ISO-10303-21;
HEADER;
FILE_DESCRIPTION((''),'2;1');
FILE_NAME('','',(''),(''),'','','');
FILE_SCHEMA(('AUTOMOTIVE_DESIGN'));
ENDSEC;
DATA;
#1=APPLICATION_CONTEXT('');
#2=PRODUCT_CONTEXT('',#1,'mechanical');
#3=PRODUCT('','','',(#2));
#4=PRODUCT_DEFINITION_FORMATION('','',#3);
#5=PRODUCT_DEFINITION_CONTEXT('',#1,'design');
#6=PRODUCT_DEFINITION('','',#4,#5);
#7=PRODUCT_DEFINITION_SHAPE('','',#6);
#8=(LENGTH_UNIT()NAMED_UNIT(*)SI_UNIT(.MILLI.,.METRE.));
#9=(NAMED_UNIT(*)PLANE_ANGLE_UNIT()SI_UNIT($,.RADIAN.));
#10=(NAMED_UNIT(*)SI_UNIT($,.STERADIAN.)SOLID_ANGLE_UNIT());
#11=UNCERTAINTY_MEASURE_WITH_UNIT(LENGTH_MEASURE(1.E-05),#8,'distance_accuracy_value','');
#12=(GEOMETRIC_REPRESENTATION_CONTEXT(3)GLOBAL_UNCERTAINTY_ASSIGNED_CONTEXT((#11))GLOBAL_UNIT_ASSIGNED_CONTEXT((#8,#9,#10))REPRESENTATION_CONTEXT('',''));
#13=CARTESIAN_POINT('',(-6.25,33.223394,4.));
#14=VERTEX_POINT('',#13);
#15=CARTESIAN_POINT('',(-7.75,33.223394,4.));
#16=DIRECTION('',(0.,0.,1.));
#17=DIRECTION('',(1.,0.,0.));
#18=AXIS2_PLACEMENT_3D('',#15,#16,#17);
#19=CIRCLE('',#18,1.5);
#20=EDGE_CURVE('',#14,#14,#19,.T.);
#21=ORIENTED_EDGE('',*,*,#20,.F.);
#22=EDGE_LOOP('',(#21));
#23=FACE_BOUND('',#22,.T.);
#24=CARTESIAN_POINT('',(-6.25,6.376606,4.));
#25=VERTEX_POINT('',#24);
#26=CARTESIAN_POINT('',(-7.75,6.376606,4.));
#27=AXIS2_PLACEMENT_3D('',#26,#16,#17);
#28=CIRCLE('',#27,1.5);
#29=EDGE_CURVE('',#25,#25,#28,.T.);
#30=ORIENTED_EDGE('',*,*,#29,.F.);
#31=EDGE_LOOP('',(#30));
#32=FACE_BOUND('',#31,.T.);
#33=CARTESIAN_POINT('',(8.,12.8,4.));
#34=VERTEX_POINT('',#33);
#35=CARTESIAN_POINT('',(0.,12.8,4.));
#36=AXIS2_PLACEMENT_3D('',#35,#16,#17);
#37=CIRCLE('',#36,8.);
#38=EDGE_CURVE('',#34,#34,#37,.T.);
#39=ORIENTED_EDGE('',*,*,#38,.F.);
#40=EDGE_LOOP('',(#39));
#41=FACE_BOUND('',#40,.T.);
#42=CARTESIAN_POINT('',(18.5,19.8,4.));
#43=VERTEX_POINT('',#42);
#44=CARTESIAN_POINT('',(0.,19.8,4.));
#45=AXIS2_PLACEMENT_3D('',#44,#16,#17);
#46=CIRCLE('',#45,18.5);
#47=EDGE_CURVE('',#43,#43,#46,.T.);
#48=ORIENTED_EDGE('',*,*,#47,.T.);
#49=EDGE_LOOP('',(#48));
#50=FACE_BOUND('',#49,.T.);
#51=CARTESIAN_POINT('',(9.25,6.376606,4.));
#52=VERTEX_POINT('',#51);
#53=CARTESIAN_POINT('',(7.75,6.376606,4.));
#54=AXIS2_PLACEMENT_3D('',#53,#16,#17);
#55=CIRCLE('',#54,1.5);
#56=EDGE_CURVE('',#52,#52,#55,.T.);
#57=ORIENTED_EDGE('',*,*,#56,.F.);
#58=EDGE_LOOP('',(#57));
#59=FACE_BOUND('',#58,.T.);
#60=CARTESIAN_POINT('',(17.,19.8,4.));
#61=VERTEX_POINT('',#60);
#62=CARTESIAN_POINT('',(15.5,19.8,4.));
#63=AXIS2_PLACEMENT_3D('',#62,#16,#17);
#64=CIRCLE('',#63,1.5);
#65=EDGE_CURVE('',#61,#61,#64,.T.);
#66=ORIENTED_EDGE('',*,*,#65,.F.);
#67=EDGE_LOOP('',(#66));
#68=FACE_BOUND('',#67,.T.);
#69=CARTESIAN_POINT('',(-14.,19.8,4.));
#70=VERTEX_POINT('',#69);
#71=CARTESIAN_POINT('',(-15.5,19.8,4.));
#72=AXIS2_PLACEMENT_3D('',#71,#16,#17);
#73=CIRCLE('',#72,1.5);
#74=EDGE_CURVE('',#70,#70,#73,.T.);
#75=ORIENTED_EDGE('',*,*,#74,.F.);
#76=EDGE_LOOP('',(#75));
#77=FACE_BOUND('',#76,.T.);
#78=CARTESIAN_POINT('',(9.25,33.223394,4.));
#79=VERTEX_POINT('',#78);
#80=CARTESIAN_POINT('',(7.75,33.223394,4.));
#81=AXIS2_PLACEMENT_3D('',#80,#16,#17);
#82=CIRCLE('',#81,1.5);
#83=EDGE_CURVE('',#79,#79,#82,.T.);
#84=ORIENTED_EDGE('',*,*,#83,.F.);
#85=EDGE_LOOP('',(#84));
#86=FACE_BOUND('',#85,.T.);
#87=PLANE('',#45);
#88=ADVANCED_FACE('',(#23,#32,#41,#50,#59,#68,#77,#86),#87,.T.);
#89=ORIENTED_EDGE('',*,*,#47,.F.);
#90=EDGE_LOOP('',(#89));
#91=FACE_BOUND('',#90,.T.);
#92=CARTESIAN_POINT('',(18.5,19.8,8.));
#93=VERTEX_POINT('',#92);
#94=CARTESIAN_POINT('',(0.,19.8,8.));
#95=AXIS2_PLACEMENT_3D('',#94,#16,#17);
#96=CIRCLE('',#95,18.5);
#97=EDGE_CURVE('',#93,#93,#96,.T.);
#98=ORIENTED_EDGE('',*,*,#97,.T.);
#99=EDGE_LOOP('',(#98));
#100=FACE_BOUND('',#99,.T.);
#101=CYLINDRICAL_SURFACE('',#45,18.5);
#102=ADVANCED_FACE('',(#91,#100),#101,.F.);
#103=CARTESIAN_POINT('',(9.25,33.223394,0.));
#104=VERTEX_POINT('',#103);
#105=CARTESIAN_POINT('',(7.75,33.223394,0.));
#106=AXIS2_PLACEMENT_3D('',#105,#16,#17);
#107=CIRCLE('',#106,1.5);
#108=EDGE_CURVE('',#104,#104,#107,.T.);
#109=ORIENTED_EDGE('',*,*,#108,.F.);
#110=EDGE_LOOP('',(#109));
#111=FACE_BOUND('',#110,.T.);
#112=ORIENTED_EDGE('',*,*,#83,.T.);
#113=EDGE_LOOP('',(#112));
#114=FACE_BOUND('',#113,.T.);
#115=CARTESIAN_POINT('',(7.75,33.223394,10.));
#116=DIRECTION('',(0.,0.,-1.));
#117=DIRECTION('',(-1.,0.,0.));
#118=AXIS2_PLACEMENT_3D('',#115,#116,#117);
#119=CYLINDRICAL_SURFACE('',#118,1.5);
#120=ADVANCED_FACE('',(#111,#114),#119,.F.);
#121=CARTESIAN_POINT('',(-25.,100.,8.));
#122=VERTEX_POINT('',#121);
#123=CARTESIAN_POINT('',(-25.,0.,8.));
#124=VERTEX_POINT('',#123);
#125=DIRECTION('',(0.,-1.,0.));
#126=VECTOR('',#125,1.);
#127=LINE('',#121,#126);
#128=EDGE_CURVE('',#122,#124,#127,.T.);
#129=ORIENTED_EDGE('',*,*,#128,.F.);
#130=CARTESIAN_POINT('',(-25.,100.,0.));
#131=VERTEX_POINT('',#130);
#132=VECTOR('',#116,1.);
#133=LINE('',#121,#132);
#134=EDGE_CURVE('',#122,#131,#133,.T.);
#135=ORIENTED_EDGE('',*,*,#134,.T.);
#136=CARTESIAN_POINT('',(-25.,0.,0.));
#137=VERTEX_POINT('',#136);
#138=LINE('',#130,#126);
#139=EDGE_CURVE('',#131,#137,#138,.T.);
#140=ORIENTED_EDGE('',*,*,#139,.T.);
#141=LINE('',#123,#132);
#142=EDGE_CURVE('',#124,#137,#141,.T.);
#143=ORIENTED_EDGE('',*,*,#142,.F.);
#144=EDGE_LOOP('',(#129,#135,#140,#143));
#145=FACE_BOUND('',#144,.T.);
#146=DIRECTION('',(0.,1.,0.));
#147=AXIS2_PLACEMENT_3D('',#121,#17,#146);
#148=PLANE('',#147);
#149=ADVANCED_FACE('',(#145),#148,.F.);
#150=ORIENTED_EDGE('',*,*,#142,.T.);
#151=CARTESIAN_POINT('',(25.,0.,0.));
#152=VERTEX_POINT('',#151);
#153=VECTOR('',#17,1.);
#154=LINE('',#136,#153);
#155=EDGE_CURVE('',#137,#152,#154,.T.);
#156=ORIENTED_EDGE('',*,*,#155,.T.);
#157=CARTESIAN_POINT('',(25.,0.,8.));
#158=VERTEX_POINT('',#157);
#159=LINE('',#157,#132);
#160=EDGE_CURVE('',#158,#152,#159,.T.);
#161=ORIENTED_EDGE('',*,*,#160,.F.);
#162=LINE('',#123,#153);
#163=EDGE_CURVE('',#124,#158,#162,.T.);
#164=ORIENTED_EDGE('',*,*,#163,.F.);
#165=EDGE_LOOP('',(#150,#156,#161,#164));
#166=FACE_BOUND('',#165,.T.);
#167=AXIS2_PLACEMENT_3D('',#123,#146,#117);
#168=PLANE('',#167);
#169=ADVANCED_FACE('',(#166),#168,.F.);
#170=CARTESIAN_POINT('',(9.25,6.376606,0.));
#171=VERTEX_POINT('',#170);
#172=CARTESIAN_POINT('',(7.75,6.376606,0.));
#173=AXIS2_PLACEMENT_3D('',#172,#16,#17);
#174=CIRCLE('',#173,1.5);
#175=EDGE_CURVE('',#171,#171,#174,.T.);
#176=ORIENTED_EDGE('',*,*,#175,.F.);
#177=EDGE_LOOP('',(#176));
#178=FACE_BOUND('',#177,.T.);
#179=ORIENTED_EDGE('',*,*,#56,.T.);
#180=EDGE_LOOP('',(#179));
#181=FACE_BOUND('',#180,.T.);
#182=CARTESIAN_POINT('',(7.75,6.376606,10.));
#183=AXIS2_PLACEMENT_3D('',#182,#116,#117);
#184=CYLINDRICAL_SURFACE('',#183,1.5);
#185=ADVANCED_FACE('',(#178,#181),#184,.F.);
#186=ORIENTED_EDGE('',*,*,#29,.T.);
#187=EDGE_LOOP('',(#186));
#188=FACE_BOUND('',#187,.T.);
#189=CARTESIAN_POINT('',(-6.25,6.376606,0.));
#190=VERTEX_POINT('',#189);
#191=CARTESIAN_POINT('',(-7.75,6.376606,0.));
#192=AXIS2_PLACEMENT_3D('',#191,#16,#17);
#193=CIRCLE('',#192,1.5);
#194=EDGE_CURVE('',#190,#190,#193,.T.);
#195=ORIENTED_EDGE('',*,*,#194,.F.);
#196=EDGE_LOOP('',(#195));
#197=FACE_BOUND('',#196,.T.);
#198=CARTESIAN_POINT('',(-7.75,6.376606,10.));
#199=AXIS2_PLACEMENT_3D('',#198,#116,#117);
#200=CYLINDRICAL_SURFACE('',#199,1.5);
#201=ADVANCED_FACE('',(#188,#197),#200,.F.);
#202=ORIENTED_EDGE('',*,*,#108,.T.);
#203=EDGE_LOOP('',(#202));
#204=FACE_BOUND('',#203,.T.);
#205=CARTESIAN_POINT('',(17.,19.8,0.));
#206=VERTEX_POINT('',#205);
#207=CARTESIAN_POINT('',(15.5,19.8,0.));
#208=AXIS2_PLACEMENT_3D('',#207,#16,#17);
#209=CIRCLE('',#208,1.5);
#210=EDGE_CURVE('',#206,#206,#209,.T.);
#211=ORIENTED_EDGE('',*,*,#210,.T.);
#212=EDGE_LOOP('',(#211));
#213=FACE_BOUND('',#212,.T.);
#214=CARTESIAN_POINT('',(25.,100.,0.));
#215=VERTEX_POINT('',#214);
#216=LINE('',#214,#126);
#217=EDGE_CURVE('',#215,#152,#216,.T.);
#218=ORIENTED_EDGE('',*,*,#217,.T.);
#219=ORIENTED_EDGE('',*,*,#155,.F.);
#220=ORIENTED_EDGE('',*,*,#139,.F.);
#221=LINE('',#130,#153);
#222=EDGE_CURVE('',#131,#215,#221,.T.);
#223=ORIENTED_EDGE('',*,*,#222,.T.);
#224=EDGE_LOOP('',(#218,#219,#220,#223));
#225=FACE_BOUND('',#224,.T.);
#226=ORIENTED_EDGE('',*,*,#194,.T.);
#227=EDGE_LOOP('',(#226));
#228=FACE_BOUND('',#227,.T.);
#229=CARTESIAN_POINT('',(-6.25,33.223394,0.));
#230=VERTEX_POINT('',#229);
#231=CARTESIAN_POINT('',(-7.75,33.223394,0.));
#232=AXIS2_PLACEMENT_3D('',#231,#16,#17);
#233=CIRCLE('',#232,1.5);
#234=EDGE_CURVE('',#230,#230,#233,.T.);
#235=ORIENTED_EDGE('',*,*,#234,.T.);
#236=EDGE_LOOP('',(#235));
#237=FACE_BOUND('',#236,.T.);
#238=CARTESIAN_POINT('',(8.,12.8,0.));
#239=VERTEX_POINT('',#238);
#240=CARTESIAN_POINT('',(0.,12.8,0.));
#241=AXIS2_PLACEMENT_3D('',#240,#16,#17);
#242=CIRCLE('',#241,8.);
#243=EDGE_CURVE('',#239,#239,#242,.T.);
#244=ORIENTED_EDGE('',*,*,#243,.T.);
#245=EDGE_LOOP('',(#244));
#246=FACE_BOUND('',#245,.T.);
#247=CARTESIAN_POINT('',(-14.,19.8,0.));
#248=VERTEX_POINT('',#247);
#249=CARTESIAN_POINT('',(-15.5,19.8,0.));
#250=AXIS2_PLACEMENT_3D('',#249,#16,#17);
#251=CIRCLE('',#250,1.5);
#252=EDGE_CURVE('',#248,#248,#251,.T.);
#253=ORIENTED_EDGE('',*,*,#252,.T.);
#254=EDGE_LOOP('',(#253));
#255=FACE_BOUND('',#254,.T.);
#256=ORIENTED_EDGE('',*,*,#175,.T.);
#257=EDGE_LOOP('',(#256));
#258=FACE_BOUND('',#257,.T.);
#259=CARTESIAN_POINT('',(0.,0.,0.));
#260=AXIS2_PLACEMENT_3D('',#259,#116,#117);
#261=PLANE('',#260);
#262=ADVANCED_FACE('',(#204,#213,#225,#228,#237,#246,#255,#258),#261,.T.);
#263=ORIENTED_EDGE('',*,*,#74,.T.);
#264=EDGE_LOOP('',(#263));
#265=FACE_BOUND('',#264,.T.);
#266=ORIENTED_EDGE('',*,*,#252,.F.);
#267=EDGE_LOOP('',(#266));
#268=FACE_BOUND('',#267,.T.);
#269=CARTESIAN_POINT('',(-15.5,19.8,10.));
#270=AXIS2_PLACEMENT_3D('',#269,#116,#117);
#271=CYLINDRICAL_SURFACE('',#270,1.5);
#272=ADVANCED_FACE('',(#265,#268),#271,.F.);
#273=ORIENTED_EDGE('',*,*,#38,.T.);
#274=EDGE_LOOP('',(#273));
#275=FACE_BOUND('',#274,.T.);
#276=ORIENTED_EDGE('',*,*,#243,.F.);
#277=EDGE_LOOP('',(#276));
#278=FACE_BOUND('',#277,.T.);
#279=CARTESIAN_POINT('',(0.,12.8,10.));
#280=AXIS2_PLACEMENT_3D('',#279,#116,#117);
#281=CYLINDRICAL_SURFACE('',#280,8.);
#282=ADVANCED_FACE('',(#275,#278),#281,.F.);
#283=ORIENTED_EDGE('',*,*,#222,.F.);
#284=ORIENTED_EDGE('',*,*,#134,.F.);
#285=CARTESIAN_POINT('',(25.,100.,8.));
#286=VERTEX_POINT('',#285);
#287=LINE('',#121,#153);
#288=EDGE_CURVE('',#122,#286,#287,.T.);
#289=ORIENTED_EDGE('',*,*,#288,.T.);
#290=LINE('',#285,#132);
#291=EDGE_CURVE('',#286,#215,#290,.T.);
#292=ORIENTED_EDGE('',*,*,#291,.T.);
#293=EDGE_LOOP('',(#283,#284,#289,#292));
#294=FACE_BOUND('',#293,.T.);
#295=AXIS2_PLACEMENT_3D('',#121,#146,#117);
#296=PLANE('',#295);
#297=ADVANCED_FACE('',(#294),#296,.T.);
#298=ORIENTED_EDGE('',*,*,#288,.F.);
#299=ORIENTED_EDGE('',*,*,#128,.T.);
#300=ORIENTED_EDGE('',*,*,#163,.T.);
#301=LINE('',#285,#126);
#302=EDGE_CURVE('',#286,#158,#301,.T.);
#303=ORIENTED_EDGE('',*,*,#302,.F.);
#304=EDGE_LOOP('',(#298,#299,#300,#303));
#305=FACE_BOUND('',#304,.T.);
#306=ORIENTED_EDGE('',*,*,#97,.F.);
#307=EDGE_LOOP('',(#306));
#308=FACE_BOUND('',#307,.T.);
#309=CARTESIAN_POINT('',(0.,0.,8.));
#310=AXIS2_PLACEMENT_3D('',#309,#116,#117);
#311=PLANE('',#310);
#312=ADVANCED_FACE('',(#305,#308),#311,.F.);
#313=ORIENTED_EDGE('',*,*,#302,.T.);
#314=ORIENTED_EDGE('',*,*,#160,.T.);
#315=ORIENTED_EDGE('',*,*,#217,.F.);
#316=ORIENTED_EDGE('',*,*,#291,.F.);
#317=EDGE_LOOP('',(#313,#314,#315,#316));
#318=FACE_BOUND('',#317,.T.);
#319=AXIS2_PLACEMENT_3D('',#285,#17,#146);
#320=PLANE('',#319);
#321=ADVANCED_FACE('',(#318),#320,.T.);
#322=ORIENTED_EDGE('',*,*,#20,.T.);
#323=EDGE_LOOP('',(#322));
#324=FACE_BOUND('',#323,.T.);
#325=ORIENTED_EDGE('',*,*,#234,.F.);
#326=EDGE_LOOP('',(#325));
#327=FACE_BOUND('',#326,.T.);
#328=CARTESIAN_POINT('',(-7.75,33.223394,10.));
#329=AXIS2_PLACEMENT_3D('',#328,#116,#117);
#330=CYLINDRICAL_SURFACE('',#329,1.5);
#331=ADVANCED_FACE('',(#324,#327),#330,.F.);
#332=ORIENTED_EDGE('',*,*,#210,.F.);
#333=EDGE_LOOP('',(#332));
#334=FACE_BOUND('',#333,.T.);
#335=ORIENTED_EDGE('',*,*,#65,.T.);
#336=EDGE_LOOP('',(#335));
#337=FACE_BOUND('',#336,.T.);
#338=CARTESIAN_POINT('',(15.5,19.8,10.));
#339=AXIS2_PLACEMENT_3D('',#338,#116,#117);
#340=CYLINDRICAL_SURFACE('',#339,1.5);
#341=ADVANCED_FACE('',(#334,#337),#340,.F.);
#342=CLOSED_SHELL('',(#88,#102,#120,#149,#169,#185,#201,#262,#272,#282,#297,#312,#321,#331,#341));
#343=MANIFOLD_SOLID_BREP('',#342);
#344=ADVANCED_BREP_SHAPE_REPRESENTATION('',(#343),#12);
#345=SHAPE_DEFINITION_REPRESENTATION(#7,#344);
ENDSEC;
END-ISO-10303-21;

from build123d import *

# Parameters (mm, degrees)
SKETCH3_W           = 50
SKETCH3_H           = 100
BOSS_EXTRUDE1_DEPTH = 8
SKETCH3_3_R         = 8
SKETCH3_3_R_2       = 1.5
CUT_EXTRUDE2_DEPTH  = 10
SKETCH4_R           = 18.5
CUT_EXTRUDE3_DEPTH  = 4


with BuildPart() as part:
    # Sketch3 → Boss-Extrude1 (new body)
    with BuildSketch(Plane.XY):
        with Locations((0, 50)):
            Rectangle(SKETCH3_W, SKETCH3_H)
    extrude(amount=BOSS_EXTRUDE1_DEPTH)

    # Sketch3<3> → Cut-Extrude2 (cut)
    with BuildSketch(Plane.XY):
        with Locations((0, 12.8)):
            Circle(SKETCH3_3_R)
        with Locations((-7.75, 33.223393759)):
            Circle(SKETCH3_3_R_2)
        with Locations((7.75, 33.223393759)):
            Circle(SKETCH3_3_R_2)
        with Locations((-15.5, 19.8)):
            Circle(SKETCH3_3_R_2)
        with Locations((-7.75, 6.376606241)):
            Circle(SKETCH3_3_R_2)
        with Locations((7.75, 6.376606241)):
            Circle(SKETCH3_3_R_2)
        with Locations((15.5, 19.8)):
            Circle(SKETCH3_3_R_2)
    extrude(amount=CUT_EXTRUDE2_DEPTH, mode=Mode.SUBTRACT)

    # Sketch4 → Cut-Extrude3 (cut)
    with BuildSketch(Plane.XY.offset(8)):
        with Locations((0, 19.8)):
            Circle(SKETCH4_R)
    extrude(amount=-CUT_EXTRUDE3_DEPTH, mode=Mode.SUBTRACT)


solid = part.part
